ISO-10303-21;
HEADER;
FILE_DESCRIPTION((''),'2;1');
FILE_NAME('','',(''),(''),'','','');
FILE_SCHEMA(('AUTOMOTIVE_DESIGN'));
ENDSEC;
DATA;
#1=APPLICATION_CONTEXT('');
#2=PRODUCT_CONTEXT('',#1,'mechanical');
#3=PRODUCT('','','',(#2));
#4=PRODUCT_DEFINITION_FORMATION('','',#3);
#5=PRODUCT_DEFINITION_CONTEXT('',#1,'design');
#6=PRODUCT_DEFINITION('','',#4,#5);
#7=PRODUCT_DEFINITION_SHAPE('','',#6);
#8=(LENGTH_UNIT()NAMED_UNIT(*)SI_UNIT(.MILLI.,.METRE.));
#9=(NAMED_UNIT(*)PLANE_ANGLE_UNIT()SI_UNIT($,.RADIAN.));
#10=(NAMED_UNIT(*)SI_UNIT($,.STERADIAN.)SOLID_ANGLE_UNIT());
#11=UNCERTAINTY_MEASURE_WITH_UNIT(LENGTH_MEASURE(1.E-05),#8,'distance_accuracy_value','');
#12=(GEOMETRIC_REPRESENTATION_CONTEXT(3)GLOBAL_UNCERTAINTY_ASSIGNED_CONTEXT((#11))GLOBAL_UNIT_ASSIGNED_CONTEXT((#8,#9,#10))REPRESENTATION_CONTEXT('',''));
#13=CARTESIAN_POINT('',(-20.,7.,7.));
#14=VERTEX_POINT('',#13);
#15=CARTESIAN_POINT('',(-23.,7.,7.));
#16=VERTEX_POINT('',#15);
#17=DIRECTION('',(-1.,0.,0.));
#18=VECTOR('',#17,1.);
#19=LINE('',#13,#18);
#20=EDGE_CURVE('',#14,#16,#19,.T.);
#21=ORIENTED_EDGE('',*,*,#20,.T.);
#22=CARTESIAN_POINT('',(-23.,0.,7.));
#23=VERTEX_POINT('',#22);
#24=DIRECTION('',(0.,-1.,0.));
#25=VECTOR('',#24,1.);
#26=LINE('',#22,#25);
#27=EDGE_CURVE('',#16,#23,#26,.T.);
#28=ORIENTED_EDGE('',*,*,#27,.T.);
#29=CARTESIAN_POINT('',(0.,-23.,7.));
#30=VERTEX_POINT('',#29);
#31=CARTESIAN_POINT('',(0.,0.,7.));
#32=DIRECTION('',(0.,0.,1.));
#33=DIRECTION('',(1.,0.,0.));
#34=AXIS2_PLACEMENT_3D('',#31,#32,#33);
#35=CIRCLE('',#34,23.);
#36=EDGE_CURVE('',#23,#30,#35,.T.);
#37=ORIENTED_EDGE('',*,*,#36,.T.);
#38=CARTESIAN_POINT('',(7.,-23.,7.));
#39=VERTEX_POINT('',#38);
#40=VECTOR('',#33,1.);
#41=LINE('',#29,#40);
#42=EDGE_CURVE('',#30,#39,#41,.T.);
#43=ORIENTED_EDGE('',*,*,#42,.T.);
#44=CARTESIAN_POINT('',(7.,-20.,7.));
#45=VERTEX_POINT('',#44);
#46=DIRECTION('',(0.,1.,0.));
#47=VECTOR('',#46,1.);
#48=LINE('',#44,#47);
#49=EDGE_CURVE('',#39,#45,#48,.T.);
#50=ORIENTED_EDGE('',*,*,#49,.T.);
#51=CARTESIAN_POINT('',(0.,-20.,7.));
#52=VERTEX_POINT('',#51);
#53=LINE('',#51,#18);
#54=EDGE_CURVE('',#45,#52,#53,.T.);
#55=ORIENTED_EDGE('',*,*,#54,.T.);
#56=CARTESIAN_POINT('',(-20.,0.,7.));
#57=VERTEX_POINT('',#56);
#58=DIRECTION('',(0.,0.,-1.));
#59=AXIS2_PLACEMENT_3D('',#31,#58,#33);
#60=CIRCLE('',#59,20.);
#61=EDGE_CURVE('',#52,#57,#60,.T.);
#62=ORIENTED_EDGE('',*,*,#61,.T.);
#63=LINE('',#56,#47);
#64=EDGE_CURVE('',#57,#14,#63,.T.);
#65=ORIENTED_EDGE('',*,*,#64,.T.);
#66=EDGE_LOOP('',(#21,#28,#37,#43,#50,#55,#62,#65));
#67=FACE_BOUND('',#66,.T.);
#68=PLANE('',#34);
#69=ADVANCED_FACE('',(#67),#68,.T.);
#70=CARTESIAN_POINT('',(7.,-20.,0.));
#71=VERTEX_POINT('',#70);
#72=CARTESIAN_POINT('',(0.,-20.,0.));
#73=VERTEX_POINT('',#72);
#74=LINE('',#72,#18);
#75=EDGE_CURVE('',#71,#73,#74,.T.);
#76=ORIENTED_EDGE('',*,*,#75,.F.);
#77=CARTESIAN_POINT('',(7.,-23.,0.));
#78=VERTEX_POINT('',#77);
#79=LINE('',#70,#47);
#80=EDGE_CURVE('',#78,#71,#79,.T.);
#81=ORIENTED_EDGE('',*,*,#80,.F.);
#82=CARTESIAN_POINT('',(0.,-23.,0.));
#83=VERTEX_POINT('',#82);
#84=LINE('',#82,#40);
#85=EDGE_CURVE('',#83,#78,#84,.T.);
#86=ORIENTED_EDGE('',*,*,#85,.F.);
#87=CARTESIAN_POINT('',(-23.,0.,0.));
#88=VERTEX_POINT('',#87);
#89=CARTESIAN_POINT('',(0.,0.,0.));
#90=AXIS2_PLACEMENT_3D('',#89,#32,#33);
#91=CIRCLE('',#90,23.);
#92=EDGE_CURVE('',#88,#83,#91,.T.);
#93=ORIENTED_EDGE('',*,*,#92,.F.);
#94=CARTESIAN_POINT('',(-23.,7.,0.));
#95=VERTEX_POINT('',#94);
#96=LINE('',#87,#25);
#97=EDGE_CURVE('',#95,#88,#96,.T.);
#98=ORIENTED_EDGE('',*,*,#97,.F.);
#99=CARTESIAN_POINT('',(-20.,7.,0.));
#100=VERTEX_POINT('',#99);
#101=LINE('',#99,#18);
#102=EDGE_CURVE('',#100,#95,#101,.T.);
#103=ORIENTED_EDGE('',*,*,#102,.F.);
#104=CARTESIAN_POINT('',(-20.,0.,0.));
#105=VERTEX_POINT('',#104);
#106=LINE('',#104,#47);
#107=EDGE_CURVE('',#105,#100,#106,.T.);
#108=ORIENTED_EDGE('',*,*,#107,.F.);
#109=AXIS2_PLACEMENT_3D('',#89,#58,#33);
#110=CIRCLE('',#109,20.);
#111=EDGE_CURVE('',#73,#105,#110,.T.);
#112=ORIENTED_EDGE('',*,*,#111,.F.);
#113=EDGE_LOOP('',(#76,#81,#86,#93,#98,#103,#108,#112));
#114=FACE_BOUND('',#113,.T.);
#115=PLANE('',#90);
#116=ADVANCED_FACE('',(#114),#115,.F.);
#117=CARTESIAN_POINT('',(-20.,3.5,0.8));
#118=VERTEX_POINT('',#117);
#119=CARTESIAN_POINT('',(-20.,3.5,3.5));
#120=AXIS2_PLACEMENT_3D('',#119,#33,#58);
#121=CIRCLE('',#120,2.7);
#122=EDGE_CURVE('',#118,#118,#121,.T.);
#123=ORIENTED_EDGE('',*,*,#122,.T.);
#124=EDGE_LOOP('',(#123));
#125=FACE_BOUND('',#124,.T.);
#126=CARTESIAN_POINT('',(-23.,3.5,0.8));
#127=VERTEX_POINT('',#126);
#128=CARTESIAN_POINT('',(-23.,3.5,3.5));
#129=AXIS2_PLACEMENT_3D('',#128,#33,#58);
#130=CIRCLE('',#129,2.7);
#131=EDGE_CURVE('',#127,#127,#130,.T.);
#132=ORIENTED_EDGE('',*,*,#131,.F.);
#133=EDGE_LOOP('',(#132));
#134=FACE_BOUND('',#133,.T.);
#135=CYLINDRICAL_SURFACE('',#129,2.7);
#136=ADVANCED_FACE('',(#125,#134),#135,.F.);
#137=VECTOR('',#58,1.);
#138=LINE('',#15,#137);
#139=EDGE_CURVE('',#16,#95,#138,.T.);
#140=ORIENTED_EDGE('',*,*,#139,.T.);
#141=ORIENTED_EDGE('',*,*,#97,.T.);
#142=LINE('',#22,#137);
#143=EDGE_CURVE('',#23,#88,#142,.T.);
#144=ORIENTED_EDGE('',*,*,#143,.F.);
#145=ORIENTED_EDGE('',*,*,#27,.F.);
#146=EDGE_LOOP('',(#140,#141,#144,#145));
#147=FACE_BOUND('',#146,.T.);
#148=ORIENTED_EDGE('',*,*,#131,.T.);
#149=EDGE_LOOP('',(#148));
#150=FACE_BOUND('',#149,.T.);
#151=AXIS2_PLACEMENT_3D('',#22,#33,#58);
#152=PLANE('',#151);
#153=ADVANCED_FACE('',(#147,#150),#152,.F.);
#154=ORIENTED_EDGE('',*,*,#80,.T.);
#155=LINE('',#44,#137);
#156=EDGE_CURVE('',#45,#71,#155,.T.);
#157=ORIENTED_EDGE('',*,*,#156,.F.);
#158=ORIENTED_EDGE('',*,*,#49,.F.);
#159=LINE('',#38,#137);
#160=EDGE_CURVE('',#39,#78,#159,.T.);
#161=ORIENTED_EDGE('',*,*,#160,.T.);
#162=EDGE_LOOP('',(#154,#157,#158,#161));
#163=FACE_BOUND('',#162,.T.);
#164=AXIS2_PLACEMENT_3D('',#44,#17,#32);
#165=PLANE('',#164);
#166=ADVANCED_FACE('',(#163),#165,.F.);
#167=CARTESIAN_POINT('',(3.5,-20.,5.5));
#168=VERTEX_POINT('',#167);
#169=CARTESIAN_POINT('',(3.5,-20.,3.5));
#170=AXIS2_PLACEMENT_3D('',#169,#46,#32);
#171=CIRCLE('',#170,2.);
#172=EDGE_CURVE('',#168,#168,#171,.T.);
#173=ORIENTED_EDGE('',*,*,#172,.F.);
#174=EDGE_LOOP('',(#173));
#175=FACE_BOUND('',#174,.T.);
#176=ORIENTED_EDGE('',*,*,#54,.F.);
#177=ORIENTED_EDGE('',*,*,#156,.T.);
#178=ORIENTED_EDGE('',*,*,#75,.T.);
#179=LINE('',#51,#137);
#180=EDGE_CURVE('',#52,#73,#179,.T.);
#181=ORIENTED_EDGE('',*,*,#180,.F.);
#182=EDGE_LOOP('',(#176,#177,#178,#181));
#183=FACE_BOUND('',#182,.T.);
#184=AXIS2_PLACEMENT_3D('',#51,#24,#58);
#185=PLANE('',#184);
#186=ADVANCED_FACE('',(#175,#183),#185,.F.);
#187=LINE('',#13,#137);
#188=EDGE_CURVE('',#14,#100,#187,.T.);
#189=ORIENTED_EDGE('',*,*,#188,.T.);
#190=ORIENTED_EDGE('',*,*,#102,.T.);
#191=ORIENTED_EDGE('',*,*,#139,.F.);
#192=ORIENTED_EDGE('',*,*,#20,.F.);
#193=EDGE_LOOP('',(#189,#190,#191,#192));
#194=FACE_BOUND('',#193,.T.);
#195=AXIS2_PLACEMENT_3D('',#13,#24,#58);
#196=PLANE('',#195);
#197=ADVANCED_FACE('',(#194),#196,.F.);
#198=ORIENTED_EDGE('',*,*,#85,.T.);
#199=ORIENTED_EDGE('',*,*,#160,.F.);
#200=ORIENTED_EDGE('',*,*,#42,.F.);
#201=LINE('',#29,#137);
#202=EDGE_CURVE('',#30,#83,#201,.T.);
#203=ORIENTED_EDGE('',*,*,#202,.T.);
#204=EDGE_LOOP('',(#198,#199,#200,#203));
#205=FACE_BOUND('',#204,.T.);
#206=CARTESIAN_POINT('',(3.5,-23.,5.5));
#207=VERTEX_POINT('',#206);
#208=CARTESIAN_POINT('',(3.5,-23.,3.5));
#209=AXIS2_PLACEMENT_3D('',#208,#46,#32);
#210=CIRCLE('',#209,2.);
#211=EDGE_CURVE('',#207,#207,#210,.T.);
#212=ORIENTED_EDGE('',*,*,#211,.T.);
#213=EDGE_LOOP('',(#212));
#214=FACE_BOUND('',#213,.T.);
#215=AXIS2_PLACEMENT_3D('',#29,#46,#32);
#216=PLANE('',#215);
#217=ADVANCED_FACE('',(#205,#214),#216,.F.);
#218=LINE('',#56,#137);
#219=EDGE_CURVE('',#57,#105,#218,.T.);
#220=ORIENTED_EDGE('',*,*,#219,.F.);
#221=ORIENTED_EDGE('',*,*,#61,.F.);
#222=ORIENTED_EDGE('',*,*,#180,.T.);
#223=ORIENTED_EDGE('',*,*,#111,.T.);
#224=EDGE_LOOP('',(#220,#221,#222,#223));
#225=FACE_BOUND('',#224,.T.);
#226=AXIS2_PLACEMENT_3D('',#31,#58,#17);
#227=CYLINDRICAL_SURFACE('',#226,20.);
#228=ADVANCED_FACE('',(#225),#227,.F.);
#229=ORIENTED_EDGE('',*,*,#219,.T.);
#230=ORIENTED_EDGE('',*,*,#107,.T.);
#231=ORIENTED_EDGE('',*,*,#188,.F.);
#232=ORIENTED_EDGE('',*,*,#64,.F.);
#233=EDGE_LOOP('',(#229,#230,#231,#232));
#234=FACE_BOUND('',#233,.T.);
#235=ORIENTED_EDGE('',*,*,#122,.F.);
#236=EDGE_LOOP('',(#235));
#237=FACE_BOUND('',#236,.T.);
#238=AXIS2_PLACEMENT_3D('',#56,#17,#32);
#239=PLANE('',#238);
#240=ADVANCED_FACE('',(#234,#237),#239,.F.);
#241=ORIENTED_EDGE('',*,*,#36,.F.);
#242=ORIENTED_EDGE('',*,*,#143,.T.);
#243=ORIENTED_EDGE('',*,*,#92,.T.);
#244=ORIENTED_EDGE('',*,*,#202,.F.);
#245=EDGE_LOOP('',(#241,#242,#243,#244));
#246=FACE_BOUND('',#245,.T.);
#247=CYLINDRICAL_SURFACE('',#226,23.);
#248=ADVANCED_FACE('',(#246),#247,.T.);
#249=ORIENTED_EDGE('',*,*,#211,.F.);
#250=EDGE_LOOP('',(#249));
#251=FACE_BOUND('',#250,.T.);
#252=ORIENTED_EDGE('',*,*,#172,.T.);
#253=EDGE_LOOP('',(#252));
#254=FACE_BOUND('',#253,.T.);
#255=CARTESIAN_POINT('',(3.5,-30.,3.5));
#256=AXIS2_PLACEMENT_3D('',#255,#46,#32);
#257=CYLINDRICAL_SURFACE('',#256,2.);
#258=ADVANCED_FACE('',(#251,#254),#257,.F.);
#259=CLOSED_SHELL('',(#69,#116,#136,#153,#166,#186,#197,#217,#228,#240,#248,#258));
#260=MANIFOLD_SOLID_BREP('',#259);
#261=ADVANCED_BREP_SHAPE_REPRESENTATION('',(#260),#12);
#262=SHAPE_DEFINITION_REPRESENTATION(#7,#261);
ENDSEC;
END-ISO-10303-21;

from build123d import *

# Parameters (mm, degrees)
BOSS_EXTRUDE1_DEPTH = 7
SKETCH2_R           = 2.7
CUT_EXTRUDE1_DEPTH  = 4
SKETCH4_R           = 2
CUT_EXTRUDE2_DEPTH  = 10


with BuildPart() as part:
    # Sketch1 → Boss-Extrude1 (new body)
    with BuildSketch(Plane.XY):
        with BuildLine():
            Line((-20, 0), (-20, 7))
            Line((-20, 7), (-23, 7))
            Line((-23, 7), (-23, 0))
            ThreePointArc((-23, 0), (-16.263455967, -16.263455967), (0, -23))
            Line((0, -23), (7, -23))
            Line((7, -23), (7, -20))
            Line((7, -20), (0, -20))
            ThreePointArc((0, -20), (-14.142135624, -14.142135624), (-20, 0))
        make_face()
    extrude(amount=BOSS_EXTRUDE1_DEPTH)

    # Sketch2 → Cut-Extrude1 (cut, through all)
    with BuildSketch(Plane(origin=(-20, 0, 0), x_dir=(0, 0, -1), z_dir=(1, 0, 0))):
        with Locations((-3.5, 3.5)):
            Circle(SKETCH2_R)
    extrude(amount=-CUT_EXTRUDE1_DEPTH, mode=Mode.SUBTRACT)

    # Sketch4 → Cut-Extrude2 (cut)
    with BuildSketch(Plane(origin=(0, -20, 0), x_dir=(1, 0, 0), z_dir=(0, 1, 0))):
        with Locations((3.5, -3.5)):
            Circle(SKETCH4_R)
    extrude(amount=-CUT_EXTRUDE2_DEPTH, mode=Mode.SUBTRACT)


solid = part.part
